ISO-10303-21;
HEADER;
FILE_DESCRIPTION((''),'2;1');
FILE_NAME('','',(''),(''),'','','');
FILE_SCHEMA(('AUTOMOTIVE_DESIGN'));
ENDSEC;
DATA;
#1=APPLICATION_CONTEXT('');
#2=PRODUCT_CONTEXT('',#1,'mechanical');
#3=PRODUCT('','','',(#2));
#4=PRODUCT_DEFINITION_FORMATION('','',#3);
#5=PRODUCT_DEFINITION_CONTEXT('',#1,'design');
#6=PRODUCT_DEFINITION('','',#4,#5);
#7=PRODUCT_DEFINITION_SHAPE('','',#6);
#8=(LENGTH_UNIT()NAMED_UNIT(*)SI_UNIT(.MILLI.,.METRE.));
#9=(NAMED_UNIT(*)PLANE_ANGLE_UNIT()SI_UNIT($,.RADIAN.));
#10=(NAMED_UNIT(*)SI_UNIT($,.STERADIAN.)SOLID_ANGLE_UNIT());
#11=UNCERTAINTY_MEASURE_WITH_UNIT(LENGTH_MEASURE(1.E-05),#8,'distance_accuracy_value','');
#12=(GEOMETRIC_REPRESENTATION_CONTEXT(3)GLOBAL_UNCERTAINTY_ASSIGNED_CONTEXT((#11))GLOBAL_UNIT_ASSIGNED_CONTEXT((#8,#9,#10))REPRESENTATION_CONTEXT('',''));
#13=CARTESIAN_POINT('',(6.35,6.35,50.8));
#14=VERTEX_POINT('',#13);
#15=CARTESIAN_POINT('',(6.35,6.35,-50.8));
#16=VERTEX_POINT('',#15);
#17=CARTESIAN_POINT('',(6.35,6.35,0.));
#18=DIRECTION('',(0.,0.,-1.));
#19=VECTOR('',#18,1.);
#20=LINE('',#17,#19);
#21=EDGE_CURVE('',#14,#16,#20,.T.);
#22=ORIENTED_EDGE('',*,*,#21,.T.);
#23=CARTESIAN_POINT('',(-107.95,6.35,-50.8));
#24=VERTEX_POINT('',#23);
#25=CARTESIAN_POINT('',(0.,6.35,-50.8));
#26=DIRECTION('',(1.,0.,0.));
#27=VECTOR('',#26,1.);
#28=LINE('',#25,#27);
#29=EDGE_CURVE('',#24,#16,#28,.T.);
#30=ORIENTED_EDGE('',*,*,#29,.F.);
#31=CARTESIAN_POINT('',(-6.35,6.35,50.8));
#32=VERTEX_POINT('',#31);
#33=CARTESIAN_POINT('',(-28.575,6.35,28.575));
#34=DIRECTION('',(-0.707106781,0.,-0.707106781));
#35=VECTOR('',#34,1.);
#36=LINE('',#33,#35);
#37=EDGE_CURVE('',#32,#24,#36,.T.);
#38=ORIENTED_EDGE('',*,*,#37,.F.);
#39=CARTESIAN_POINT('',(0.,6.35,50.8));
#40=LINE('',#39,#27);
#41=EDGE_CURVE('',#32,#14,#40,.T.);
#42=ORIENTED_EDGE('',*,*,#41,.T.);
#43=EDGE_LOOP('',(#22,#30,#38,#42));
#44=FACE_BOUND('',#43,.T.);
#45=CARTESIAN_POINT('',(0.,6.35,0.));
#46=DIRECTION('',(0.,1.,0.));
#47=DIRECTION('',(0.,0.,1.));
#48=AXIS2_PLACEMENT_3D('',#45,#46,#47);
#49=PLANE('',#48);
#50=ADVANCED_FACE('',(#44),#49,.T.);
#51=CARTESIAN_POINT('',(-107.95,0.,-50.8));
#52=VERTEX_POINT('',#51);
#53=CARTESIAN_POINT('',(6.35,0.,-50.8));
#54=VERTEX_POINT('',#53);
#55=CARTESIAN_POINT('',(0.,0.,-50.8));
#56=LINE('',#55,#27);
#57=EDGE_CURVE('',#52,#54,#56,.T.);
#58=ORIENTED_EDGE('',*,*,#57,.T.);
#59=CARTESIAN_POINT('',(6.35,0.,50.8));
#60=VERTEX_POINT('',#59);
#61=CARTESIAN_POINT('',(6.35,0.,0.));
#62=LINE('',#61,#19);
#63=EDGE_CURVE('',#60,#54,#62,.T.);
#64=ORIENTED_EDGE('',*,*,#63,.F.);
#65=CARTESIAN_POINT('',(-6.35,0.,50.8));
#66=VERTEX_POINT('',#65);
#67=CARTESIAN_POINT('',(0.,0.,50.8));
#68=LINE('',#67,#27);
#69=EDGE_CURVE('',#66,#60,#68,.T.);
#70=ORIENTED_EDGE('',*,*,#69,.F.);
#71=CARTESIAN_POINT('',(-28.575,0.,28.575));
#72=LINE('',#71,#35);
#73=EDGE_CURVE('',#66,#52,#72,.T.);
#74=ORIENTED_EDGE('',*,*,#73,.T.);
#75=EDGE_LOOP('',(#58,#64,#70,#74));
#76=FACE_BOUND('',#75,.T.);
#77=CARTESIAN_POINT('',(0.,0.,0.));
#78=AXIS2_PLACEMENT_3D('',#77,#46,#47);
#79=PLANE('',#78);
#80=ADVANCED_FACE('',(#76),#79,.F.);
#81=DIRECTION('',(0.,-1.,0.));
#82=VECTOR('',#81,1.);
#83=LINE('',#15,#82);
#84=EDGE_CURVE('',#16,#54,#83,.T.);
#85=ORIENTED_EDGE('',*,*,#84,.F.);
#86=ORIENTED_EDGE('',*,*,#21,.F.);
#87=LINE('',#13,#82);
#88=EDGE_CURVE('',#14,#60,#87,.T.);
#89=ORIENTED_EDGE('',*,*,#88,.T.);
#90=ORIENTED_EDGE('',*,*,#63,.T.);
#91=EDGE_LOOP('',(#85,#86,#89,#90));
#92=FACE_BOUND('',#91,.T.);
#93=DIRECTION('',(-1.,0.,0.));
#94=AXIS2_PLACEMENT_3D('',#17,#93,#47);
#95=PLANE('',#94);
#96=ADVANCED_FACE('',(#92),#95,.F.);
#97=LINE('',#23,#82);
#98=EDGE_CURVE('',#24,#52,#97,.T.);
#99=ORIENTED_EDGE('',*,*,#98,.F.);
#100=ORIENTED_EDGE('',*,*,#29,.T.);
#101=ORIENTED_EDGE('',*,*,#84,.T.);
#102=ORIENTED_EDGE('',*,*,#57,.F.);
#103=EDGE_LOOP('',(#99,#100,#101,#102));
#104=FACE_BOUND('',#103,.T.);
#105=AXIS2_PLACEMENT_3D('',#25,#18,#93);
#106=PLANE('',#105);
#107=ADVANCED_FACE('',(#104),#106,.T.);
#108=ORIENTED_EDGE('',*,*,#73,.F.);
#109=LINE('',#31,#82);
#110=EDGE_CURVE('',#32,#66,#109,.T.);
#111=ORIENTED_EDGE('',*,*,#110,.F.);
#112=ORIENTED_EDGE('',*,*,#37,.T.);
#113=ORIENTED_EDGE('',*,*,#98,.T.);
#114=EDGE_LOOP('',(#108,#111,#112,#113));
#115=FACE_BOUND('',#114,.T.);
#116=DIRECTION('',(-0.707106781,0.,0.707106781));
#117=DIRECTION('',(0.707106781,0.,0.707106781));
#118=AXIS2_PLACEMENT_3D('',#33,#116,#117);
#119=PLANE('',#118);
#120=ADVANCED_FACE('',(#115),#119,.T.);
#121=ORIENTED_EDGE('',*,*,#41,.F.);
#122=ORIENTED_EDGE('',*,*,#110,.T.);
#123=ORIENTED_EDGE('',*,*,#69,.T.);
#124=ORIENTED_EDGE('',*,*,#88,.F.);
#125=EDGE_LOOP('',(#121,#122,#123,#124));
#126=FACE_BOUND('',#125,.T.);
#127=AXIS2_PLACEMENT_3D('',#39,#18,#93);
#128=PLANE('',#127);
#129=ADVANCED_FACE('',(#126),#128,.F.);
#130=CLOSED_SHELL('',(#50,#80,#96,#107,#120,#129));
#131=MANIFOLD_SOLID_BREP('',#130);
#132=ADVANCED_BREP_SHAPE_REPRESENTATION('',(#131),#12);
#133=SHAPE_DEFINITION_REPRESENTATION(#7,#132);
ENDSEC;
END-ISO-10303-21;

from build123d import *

# Parameters (mm, degrees)
SKETCH1_W           = 12.7
SKETCH1_H           = 101.6
BOSS_EXTRUDE1_DEPTH = 6.35


with BuildPart() as part:
    # Sketch1 → Boss-Extrude1 (new body)
    with BuildSketch(Plane(origin=(0, 0, 0), x_dir=(1, 0, 0), z_dir=(0, 1, 0))):
        Polygon((-107.95, 50.8), (-6.35, 50.8), (-6.35, -50.8), align=None)
        Rectangle(SKETCH1_W, SKETCH1_H)
    extrude(amount=BOSS_EXTRUDE1_DEPTH)


solid = part.part
